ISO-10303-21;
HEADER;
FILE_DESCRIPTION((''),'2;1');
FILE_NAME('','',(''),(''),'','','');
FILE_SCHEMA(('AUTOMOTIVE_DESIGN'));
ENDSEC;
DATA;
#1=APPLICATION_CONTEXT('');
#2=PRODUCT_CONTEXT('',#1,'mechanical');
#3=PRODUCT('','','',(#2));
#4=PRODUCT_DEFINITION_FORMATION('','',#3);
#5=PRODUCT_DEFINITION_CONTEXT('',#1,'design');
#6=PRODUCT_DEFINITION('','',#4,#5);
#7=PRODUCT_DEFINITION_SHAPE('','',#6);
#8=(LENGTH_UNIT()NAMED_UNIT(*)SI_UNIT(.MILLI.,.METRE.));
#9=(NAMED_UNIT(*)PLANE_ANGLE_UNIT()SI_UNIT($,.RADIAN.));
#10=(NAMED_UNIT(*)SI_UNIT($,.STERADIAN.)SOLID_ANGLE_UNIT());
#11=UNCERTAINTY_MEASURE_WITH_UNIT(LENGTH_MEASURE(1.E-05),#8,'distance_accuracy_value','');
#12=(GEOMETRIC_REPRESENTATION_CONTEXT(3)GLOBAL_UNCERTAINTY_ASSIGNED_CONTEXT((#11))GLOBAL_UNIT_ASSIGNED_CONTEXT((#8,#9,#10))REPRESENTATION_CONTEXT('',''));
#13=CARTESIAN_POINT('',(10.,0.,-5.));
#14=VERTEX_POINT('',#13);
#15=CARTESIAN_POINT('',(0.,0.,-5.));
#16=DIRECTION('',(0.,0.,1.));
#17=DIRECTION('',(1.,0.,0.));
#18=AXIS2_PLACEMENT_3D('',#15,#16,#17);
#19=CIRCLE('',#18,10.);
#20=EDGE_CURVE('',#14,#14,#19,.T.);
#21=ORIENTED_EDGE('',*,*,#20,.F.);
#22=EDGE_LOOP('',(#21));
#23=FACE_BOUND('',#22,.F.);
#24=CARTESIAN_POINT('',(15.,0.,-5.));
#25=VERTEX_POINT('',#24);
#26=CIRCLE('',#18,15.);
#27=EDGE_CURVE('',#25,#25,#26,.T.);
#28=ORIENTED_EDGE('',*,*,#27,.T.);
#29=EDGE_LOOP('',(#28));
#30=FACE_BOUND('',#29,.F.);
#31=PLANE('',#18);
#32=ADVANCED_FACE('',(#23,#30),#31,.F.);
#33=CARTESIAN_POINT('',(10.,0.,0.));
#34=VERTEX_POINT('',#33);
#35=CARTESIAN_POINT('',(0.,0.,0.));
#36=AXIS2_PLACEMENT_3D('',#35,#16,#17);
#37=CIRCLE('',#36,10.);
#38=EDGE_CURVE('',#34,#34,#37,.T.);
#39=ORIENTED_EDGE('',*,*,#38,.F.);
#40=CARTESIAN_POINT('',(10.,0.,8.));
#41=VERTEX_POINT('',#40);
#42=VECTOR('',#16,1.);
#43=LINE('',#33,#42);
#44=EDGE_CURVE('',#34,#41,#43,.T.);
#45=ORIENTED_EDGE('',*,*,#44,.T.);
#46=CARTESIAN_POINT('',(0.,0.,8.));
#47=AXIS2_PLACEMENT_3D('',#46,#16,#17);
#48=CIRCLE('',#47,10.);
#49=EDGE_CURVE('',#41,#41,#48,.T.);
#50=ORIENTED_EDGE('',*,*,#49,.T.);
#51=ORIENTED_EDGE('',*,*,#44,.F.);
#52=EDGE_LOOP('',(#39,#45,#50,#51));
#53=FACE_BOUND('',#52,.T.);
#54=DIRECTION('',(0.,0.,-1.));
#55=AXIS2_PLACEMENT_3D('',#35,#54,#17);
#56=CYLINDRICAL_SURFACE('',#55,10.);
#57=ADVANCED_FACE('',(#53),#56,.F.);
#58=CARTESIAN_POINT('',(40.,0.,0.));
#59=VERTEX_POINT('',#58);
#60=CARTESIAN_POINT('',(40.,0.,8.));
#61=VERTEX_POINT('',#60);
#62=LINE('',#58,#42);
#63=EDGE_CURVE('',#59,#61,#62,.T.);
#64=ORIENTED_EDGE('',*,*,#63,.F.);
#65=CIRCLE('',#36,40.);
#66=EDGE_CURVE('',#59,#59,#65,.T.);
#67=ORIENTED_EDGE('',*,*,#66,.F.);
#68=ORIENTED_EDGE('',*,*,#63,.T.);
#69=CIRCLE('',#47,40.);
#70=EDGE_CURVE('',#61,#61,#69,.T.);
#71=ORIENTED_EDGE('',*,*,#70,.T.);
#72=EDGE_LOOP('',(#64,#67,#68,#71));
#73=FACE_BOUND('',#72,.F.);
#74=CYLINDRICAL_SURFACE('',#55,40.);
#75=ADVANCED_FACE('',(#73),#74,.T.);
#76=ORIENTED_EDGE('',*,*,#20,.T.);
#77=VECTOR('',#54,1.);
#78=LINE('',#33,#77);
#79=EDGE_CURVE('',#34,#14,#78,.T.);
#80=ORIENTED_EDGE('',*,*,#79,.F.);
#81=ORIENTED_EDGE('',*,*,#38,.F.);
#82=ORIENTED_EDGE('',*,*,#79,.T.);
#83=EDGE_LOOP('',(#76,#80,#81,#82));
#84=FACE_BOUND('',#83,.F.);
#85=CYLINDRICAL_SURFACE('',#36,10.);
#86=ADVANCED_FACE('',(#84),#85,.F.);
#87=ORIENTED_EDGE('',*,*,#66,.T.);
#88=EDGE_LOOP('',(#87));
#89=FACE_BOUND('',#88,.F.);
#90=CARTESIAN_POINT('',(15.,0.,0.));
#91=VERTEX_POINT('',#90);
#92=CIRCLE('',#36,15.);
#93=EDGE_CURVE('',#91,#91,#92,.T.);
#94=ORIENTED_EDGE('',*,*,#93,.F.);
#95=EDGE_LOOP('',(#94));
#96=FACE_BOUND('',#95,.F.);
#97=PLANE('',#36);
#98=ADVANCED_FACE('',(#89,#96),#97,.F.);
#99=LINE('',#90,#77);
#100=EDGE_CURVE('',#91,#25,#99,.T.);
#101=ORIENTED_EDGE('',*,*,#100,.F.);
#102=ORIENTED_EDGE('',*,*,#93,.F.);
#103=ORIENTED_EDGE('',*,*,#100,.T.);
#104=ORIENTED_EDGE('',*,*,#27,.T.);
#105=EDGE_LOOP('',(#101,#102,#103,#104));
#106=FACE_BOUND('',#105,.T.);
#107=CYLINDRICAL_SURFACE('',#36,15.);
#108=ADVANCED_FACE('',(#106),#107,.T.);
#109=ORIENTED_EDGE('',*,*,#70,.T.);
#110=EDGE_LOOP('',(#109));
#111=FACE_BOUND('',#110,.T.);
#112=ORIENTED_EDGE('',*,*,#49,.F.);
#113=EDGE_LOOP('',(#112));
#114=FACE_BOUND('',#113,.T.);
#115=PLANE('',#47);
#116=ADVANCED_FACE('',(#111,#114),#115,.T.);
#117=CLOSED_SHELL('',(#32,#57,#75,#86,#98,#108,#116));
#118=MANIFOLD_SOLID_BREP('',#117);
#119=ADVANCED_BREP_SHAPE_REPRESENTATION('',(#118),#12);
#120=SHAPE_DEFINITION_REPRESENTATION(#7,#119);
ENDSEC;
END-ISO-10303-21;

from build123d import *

# Parameters (mm, degrees)
F0_R     = 40
F0_R_2   = 15
F0_R_3   = 10
F1_DEPTH = 8
F2_DEPTH = 5
F3_DEPTH = 5.001


with BuildPart() as f1:
    # F0 (on Top) → F1 (new body)
    with BuildSketch(Plane.XY):
        Circle(F0_R)
        Circle(F0_R_2, mode=Mode.SUBTRACT)
        Circle(F0_R_2)
        Circle(F0_R_3, mode=Mode.SUBTRACT)
    extrude(amount=F1_DEPTH)

    # F0 (on Top) → F2 (join)
    with BuildSketch(Plane.XY):
        Circle(F0_R_2)
        Circle(F0_R_3, mode=Mode.SUBTRACT)
    extrude(amount=-F2_DEPTH)

    # F0 (on Top) → F3 (cut, through all)
    with BuildSketch(Plane.XY):
        Circle(F0_R_3)
    extrude(amount=-F3_DEPTH, mode=Mode.SUBTRACT)


solid = f1.part
